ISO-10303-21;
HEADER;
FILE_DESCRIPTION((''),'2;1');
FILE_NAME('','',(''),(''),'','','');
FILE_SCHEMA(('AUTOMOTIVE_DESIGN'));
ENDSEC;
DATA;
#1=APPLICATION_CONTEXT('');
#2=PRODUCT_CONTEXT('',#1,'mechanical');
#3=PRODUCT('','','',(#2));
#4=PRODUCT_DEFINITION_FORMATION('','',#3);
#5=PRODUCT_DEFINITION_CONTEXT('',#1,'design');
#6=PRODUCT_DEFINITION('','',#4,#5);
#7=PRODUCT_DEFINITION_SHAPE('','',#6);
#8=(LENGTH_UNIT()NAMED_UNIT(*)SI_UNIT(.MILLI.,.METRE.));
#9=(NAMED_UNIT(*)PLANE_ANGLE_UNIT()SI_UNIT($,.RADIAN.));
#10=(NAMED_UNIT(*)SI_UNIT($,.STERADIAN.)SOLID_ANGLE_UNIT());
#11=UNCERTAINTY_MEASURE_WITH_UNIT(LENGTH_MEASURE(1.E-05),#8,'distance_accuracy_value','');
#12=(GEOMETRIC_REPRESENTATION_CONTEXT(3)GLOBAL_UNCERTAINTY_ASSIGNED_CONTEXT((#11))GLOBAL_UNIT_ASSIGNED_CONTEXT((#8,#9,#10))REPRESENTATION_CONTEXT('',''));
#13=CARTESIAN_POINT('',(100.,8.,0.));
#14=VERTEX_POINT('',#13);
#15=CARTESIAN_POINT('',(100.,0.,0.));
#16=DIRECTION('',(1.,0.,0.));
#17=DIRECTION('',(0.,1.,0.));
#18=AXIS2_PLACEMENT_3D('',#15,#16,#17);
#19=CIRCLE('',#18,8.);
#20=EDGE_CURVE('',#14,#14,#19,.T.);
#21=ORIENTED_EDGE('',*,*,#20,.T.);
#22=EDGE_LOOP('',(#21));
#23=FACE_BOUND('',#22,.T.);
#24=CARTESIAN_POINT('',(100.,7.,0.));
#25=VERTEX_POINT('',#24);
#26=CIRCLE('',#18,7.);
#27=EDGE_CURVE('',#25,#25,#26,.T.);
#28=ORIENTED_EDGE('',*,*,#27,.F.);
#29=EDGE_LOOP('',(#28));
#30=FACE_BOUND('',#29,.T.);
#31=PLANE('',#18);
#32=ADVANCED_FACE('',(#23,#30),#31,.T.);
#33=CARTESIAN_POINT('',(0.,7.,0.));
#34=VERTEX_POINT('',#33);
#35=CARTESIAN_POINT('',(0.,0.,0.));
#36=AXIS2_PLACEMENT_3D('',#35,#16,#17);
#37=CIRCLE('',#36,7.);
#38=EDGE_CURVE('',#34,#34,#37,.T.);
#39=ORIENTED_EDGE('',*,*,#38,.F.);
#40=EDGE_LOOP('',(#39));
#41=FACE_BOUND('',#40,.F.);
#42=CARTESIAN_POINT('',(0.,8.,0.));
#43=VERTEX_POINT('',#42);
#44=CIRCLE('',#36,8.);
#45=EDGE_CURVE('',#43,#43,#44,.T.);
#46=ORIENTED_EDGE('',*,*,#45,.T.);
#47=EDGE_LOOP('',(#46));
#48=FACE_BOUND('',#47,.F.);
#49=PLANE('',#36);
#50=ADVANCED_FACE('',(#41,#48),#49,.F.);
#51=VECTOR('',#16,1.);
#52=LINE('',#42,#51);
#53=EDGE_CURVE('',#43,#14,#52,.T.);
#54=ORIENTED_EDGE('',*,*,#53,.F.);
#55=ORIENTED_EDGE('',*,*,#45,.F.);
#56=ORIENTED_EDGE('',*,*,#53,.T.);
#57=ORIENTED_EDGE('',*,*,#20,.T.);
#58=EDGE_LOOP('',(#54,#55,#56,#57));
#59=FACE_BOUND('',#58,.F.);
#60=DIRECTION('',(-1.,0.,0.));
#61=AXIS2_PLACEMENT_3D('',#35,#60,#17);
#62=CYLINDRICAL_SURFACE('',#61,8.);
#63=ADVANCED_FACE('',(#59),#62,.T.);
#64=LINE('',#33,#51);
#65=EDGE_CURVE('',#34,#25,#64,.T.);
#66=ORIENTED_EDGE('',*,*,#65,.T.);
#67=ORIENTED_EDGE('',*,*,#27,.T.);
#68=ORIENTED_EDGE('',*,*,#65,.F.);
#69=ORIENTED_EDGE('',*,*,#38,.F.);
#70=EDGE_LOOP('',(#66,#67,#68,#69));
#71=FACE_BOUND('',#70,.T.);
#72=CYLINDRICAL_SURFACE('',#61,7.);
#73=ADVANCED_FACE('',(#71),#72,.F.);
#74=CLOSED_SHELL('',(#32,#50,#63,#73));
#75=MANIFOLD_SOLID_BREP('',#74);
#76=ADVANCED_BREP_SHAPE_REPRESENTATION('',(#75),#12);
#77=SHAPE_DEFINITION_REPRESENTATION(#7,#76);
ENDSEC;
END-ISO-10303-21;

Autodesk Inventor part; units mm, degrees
ref_plane "YZ Plane" through (0, 0, 0) normal (1, 0, 0) x (0, 1, 0)
ref_plane "XZ Plane" through (0, 0, 0) normal (0, 1, 0) x (-1, 0, 0)
ref_plane "XY Plane" through (0, 0, 0) normal (0, 0, 1) x (1, 0, 0)
sketch "Sketch1" plane through (0, 0, 0) normal (1, 0, 0) x (0, 1, 0)
  circle A0 centre (0, 0) radius 8
  circle A1 centre (0, 0) radius 7
  dimension "d0" = 16
  dimension "d1" = 14
extrude "Extrusion1" add sketch "Sketch1" along normal blind 100
properties part number "arm_front" material "Aluminum 6061"
